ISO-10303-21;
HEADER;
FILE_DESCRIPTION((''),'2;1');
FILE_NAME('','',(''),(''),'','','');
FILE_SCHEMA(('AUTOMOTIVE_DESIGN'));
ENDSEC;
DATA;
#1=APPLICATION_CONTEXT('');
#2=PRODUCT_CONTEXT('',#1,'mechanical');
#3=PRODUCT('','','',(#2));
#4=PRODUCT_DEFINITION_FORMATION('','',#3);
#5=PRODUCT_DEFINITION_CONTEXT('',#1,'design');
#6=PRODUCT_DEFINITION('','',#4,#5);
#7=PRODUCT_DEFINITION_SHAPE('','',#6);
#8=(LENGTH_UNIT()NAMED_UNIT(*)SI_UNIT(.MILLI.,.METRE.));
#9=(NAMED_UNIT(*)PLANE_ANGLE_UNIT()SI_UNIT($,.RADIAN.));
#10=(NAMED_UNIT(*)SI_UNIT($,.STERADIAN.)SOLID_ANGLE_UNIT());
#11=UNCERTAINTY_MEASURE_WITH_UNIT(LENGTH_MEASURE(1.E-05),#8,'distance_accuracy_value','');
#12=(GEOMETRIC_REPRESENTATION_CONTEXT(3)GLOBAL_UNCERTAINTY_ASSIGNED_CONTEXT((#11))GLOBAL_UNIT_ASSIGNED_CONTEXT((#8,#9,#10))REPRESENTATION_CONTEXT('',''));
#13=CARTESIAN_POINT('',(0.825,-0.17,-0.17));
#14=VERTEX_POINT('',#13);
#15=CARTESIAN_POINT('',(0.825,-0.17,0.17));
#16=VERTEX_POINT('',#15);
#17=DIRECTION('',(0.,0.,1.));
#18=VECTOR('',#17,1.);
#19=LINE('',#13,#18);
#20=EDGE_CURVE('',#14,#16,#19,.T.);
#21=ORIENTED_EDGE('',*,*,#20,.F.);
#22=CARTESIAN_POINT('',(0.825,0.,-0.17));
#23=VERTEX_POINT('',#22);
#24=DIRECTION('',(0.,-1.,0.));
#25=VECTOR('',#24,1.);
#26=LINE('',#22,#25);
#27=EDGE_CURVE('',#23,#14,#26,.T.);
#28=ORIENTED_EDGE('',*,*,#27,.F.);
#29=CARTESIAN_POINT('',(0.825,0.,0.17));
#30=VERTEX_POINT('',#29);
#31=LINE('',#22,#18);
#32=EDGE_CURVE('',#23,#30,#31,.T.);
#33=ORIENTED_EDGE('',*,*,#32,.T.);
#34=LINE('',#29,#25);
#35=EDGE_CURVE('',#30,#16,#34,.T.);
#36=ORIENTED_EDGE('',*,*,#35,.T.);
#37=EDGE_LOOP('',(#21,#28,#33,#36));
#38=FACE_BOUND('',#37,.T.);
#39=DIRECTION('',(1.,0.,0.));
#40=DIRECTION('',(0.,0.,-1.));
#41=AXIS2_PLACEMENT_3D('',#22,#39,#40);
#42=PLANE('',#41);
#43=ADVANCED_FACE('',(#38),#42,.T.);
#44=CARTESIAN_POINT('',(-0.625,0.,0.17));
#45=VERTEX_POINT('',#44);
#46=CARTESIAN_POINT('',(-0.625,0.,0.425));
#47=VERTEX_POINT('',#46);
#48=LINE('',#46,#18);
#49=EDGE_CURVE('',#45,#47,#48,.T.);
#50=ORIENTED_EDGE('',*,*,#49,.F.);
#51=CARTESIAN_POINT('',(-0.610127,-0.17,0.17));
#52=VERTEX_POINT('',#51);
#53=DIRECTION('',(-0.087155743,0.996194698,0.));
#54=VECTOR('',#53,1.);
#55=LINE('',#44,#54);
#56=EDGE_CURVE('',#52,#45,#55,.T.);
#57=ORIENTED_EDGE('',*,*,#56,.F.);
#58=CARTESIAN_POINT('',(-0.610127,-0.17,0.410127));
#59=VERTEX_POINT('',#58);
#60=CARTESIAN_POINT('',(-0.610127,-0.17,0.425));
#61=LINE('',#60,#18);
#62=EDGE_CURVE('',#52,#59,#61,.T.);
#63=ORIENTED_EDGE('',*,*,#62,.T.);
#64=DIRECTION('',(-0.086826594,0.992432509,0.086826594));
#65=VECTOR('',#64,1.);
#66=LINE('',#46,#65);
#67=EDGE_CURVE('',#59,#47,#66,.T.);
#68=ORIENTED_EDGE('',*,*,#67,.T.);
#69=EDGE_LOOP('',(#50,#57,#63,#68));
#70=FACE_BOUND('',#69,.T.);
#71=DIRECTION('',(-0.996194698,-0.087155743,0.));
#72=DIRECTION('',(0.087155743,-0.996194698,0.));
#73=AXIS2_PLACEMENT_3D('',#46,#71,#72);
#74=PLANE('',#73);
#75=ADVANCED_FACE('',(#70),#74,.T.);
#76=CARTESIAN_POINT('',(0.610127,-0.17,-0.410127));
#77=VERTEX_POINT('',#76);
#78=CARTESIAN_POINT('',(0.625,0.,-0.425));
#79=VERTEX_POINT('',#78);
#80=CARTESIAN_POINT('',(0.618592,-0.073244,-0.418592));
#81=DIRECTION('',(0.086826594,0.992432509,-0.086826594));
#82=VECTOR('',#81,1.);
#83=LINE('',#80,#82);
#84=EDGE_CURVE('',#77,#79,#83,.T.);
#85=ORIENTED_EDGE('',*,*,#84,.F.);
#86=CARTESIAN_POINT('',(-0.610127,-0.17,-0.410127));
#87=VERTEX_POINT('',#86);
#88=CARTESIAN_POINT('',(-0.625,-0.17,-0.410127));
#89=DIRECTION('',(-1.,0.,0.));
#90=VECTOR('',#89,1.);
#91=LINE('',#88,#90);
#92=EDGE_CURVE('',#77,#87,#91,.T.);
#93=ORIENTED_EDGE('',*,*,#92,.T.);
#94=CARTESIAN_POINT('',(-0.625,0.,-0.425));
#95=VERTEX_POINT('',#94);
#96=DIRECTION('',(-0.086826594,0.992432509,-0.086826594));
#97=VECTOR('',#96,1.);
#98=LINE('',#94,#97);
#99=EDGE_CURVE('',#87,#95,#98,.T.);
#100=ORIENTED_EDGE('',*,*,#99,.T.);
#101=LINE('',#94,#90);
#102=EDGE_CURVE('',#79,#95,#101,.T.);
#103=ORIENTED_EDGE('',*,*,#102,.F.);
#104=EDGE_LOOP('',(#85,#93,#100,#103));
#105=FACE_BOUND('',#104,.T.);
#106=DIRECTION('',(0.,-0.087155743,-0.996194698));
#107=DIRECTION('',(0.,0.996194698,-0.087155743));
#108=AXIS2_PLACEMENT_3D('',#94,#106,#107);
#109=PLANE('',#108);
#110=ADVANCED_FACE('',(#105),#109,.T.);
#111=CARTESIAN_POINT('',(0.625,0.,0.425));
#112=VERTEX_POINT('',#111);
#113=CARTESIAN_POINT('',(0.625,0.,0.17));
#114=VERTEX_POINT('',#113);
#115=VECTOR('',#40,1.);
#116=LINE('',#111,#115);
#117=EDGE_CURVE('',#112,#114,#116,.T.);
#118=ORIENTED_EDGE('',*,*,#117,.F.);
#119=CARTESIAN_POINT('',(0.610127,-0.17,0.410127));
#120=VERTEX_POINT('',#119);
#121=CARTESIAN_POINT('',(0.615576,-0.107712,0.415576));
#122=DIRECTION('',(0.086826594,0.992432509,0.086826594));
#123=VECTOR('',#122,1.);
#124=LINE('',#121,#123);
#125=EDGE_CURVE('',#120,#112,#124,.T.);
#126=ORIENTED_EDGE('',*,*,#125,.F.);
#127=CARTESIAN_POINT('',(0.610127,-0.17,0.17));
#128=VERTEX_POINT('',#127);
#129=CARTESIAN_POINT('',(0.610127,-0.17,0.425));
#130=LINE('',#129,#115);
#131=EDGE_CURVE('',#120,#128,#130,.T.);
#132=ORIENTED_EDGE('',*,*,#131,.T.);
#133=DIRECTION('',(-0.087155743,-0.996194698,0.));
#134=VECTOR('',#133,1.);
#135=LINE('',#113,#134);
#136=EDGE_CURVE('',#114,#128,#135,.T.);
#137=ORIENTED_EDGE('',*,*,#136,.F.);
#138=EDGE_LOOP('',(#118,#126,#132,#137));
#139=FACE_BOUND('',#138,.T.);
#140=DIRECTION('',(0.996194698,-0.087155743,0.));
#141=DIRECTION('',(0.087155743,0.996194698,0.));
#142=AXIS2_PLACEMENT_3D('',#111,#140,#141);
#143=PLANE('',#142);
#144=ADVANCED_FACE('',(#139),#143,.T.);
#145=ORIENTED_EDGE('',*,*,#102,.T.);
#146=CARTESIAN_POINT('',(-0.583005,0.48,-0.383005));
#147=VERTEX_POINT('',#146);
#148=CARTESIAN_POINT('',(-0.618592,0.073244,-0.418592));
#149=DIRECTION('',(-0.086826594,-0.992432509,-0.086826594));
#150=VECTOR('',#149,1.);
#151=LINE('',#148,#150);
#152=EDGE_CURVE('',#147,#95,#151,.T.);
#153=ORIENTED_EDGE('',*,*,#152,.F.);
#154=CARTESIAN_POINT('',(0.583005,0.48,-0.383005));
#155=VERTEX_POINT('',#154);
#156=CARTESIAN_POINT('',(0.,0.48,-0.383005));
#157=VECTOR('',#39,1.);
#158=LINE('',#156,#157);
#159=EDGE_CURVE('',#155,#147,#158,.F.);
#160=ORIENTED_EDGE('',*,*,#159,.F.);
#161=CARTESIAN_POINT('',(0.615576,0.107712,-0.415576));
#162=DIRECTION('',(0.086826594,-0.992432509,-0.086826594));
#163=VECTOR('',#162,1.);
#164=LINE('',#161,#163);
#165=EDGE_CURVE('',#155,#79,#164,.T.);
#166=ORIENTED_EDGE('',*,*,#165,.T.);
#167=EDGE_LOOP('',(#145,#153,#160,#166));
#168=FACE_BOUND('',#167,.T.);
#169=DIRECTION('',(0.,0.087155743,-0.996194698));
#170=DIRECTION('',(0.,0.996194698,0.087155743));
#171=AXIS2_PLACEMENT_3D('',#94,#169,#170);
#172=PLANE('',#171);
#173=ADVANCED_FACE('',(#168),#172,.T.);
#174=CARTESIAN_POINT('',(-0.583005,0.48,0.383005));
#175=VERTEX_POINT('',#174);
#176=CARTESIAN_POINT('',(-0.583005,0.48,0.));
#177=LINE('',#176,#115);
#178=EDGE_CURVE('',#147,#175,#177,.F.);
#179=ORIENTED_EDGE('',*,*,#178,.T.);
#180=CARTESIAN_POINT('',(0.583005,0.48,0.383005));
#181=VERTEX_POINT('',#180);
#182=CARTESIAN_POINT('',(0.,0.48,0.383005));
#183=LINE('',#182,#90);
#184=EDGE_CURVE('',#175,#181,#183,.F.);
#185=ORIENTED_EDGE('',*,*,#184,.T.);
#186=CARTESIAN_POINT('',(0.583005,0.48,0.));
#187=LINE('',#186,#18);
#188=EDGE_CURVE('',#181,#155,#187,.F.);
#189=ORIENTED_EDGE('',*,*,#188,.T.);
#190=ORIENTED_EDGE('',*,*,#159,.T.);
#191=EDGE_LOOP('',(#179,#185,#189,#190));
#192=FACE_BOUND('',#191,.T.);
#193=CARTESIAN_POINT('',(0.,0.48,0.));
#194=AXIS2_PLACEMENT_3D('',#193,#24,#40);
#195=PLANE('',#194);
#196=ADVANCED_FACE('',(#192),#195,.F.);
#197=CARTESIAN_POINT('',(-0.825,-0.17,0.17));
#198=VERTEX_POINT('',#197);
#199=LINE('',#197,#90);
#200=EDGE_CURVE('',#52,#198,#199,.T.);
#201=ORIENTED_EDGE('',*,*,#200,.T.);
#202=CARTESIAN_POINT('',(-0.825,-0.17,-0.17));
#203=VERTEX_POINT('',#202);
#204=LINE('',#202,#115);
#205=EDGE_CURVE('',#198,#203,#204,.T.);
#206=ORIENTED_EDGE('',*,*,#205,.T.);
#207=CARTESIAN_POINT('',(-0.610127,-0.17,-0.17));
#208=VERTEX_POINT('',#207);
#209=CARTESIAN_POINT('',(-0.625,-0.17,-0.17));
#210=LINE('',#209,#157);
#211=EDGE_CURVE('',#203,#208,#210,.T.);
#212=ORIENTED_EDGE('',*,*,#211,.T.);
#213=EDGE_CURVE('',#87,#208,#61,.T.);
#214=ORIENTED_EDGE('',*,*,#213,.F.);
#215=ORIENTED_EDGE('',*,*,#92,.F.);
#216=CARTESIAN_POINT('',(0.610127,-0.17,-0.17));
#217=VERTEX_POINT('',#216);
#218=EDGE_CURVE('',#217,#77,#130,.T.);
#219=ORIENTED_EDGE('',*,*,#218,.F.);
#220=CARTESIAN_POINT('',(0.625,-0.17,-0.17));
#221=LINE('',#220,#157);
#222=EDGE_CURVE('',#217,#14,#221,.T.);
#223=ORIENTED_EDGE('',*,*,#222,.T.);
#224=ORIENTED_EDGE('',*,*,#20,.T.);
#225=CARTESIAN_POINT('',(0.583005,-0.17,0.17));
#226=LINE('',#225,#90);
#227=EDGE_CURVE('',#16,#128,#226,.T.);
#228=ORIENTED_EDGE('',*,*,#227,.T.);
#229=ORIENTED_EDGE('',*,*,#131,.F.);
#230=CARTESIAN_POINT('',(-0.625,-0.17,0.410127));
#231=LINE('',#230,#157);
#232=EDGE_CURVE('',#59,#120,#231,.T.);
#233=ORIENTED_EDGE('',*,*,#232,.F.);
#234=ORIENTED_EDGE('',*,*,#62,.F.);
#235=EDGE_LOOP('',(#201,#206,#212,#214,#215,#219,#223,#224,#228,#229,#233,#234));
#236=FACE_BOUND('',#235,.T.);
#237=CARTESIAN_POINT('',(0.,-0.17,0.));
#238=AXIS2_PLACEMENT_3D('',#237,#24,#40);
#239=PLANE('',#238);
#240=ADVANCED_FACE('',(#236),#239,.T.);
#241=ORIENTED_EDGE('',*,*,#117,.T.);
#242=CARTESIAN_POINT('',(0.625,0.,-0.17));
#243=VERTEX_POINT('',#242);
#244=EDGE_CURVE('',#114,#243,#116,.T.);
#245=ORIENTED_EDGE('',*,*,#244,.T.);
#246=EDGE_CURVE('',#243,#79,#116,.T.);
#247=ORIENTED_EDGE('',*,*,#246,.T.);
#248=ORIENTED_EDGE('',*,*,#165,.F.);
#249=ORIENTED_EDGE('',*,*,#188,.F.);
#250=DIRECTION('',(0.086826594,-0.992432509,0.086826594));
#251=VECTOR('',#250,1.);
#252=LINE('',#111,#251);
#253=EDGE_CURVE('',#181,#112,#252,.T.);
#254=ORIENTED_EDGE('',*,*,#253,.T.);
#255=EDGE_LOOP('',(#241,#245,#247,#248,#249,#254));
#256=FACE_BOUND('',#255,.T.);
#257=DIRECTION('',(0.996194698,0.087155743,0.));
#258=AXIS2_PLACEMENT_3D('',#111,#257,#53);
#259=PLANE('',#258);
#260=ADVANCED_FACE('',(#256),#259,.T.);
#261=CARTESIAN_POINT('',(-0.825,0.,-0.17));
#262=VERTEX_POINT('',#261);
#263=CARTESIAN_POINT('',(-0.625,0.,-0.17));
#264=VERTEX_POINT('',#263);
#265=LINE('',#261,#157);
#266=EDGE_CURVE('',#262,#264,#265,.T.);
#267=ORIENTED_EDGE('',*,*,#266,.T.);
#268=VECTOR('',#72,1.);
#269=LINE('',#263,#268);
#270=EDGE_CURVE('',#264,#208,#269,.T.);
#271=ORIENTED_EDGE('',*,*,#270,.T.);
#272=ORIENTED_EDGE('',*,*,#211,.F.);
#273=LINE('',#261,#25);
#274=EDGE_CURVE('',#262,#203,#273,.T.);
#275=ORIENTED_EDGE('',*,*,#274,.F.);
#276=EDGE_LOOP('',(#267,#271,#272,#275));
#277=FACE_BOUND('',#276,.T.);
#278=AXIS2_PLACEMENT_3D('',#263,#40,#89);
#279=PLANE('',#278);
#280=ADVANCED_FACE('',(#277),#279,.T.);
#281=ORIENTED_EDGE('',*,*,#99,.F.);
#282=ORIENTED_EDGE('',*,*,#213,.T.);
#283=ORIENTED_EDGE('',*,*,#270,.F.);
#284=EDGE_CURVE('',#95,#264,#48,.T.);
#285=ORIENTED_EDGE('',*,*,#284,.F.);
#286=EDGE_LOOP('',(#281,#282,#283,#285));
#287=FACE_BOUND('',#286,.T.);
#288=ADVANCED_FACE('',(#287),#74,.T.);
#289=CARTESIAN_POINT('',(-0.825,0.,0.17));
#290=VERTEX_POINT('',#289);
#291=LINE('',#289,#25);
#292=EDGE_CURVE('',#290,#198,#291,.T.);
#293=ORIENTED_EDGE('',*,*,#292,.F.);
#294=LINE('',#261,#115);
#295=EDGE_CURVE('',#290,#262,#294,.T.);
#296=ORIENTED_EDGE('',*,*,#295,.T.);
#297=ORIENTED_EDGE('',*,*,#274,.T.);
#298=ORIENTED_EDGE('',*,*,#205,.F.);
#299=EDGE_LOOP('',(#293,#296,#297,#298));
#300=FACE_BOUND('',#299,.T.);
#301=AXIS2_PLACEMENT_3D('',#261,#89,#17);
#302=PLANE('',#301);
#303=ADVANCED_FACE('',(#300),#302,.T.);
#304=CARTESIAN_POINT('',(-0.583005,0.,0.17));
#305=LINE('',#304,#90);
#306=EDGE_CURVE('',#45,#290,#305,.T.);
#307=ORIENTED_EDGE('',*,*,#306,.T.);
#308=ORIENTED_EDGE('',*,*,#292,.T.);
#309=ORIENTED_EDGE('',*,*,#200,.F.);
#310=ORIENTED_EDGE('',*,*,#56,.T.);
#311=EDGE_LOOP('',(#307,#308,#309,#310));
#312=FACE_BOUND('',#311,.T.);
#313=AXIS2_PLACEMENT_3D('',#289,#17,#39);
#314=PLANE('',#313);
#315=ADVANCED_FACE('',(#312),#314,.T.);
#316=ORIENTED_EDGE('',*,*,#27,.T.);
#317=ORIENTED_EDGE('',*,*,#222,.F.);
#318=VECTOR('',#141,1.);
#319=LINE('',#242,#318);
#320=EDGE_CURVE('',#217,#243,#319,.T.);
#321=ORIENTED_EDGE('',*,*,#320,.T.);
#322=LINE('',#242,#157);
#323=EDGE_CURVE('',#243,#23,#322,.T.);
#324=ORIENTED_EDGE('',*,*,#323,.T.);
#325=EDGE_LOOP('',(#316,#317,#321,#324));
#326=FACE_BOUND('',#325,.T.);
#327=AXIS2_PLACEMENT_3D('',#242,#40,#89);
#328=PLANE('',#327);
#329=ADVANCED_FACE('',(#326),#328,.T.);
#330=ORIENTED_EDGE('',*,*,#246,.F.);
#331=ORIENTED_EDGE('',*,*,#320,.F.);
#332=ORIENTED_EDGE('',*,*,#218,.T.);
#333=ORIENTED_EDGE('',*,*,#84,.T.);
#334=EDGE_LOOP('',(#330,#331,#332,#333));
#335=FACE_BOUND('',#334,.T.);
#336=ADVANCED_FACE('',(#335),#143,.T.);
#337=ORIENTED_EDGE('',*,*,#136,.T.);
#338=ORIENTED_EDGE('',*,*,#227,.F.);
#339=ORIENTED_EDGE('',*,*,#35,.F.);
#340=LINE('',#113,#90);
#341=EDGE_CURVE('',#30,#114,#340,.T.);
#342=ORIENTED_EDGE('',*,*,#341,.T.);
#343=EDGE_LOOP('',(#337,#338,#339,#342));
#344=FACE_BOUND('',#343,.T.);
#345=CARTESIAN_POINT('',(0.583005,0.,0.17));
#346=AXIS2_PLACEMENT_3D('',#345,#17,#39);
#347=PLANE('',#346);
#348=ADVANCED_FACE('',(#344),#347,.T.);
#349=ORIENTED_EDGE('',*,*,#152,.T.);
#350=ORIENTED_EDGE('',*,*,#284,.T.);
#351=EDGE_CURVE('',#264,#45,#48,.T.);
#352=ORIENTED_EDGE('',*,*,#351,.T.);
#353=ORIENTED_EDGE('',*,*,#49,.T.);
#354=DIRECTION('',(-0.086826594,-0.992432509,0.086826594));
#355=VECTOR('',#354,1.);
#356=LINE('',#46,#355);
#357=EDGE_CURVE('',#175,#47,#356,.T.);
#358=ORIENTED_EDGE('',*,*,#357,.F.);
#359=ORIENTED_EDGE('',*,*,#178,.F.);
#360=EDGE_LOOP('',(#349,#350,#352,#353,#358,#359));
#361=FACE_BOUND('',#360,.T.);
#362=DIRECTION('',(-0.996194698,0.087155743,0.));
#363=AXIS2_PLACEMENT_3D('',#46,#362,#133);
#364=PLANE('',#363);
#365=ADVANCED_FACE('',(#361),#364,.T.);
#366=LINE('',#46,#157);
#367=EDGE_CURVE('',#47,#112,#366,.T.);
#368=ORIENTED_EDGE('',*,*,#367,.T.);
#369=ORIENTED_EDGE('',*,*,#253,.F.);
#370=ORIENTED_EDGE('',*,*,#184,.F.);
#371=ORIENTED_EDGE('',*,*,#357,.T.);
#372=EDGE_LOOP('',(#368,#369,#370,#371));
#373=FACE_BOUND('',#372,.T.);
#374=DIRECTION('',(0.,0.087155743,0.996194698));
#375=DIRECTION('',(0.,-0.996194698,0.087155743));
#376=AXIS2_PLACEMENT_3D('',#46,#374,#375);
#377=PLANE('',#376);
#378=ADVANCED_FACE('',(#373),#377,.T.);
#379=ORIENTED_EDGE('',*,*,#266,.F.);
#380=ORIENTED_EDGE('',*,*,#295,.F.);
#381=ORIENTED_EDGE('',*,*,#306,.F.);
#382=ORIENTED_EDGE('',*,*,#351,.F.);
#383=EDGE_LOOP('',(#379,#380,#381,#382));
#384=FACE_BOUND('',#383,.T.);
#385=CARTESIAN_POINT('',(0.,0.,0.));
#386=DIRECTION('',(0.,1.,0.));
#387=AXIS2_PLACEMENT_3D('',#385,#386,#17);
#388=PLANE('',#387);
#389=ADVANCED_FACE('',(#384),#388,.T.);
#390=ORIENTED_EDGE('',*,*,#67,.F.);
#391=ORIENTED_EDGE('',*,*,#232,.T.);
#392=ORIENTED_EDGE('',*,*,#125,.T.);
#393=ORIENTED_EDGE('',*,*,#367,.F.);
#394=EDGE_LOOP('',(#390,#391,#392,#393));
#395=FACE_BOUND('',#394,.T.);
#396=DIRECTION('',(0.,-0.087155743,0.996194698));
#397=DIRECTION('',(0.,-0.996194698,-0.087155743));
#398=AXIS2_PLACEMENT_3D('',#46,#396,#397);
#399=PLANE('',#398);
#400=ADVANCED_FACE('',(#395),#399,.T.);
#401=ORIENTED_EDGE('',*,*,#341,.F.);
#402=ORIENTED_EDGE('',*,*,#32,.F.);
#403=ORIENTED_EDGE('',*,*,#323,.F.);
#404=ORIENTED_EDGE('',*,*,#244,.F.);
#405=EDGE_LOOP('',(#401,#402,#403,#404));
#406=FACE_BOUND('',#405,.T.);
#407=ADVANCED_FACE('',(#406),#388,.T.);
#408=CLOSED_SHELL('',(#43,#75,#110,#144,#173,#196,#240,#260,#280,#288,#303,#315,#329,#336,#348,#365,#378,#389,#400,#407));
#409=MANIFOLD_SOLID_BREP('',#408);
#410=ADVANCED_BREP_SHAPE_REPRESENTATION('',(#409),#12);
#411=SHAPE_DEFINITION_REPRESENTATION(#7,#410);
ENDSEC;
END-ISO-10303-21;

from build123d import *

# Parameters (mm, degrees)
SKETCH1_W                     = 1.25
SKETCH1_H                     = 0.85
BOSS_EXTRUDE1_DEPTH           = 0.48
BOSS_EXTRUDE1_TAPER           = 5
BOSS_EXTRUDE1_OTHER_WAY_DEPTH = 0.17
BOSS_EXTRUDE1_OTHER_WAY_TAPER = 5
BOSS_EXTRUDE2_DEPTH           = 0.17


with BuildPart() as part:
    # Sketch1 → Boss-Extrude1 (new body)
    with BuildSketch(Plane(origin=(0, 0, 0), x_dir=(1, 0, 0), z_dir=(0, 1, 0))):
        Rectangle(SKETCH1_W, SKETCH1_H)
    extrude(amount=BOSS_EXTRUDE1_DEPTH, taper=BOSS_EXTRUDE1_TAPER)

    # Sketch1 → Boss-Extrude1 other way (add)
    with BuildSketch(Plane(origin=(0, 0, 0), x_dir=(1, 0, 0), z_dir=(0, 1, 0))):
        Rectangle(SKETCH1_W, SKETCH1_H)
    extrude(amount=-BOSS_EXTRUDE1_OTHER_WAY_DEPTH, taper=BOSS_EXTRUDE1_OTHER_WAY_TAPER)

    # Sketch4 → Boss-Extrude2 (add)
    with BuildSketch(Plane.XZ.offset(0.17)):
        Polygon((-0.625, -0.17), (-0.583005442, -0.17), (-0.583005442, 0.17), (-0.625, 0.17), (-0.825, 0.17), (-0.825, -0.17), align=None)
        Polygon((0.625, -0.17), (0.825, -0.17), (0.825, 0.17), (0.625, 0.17), (0.583005442, 0.17), (0.583005442, -0.17), align=None)
    extrude(amount=-BOSS_EXTRUDE2_DEPTH)


solid = part.part
